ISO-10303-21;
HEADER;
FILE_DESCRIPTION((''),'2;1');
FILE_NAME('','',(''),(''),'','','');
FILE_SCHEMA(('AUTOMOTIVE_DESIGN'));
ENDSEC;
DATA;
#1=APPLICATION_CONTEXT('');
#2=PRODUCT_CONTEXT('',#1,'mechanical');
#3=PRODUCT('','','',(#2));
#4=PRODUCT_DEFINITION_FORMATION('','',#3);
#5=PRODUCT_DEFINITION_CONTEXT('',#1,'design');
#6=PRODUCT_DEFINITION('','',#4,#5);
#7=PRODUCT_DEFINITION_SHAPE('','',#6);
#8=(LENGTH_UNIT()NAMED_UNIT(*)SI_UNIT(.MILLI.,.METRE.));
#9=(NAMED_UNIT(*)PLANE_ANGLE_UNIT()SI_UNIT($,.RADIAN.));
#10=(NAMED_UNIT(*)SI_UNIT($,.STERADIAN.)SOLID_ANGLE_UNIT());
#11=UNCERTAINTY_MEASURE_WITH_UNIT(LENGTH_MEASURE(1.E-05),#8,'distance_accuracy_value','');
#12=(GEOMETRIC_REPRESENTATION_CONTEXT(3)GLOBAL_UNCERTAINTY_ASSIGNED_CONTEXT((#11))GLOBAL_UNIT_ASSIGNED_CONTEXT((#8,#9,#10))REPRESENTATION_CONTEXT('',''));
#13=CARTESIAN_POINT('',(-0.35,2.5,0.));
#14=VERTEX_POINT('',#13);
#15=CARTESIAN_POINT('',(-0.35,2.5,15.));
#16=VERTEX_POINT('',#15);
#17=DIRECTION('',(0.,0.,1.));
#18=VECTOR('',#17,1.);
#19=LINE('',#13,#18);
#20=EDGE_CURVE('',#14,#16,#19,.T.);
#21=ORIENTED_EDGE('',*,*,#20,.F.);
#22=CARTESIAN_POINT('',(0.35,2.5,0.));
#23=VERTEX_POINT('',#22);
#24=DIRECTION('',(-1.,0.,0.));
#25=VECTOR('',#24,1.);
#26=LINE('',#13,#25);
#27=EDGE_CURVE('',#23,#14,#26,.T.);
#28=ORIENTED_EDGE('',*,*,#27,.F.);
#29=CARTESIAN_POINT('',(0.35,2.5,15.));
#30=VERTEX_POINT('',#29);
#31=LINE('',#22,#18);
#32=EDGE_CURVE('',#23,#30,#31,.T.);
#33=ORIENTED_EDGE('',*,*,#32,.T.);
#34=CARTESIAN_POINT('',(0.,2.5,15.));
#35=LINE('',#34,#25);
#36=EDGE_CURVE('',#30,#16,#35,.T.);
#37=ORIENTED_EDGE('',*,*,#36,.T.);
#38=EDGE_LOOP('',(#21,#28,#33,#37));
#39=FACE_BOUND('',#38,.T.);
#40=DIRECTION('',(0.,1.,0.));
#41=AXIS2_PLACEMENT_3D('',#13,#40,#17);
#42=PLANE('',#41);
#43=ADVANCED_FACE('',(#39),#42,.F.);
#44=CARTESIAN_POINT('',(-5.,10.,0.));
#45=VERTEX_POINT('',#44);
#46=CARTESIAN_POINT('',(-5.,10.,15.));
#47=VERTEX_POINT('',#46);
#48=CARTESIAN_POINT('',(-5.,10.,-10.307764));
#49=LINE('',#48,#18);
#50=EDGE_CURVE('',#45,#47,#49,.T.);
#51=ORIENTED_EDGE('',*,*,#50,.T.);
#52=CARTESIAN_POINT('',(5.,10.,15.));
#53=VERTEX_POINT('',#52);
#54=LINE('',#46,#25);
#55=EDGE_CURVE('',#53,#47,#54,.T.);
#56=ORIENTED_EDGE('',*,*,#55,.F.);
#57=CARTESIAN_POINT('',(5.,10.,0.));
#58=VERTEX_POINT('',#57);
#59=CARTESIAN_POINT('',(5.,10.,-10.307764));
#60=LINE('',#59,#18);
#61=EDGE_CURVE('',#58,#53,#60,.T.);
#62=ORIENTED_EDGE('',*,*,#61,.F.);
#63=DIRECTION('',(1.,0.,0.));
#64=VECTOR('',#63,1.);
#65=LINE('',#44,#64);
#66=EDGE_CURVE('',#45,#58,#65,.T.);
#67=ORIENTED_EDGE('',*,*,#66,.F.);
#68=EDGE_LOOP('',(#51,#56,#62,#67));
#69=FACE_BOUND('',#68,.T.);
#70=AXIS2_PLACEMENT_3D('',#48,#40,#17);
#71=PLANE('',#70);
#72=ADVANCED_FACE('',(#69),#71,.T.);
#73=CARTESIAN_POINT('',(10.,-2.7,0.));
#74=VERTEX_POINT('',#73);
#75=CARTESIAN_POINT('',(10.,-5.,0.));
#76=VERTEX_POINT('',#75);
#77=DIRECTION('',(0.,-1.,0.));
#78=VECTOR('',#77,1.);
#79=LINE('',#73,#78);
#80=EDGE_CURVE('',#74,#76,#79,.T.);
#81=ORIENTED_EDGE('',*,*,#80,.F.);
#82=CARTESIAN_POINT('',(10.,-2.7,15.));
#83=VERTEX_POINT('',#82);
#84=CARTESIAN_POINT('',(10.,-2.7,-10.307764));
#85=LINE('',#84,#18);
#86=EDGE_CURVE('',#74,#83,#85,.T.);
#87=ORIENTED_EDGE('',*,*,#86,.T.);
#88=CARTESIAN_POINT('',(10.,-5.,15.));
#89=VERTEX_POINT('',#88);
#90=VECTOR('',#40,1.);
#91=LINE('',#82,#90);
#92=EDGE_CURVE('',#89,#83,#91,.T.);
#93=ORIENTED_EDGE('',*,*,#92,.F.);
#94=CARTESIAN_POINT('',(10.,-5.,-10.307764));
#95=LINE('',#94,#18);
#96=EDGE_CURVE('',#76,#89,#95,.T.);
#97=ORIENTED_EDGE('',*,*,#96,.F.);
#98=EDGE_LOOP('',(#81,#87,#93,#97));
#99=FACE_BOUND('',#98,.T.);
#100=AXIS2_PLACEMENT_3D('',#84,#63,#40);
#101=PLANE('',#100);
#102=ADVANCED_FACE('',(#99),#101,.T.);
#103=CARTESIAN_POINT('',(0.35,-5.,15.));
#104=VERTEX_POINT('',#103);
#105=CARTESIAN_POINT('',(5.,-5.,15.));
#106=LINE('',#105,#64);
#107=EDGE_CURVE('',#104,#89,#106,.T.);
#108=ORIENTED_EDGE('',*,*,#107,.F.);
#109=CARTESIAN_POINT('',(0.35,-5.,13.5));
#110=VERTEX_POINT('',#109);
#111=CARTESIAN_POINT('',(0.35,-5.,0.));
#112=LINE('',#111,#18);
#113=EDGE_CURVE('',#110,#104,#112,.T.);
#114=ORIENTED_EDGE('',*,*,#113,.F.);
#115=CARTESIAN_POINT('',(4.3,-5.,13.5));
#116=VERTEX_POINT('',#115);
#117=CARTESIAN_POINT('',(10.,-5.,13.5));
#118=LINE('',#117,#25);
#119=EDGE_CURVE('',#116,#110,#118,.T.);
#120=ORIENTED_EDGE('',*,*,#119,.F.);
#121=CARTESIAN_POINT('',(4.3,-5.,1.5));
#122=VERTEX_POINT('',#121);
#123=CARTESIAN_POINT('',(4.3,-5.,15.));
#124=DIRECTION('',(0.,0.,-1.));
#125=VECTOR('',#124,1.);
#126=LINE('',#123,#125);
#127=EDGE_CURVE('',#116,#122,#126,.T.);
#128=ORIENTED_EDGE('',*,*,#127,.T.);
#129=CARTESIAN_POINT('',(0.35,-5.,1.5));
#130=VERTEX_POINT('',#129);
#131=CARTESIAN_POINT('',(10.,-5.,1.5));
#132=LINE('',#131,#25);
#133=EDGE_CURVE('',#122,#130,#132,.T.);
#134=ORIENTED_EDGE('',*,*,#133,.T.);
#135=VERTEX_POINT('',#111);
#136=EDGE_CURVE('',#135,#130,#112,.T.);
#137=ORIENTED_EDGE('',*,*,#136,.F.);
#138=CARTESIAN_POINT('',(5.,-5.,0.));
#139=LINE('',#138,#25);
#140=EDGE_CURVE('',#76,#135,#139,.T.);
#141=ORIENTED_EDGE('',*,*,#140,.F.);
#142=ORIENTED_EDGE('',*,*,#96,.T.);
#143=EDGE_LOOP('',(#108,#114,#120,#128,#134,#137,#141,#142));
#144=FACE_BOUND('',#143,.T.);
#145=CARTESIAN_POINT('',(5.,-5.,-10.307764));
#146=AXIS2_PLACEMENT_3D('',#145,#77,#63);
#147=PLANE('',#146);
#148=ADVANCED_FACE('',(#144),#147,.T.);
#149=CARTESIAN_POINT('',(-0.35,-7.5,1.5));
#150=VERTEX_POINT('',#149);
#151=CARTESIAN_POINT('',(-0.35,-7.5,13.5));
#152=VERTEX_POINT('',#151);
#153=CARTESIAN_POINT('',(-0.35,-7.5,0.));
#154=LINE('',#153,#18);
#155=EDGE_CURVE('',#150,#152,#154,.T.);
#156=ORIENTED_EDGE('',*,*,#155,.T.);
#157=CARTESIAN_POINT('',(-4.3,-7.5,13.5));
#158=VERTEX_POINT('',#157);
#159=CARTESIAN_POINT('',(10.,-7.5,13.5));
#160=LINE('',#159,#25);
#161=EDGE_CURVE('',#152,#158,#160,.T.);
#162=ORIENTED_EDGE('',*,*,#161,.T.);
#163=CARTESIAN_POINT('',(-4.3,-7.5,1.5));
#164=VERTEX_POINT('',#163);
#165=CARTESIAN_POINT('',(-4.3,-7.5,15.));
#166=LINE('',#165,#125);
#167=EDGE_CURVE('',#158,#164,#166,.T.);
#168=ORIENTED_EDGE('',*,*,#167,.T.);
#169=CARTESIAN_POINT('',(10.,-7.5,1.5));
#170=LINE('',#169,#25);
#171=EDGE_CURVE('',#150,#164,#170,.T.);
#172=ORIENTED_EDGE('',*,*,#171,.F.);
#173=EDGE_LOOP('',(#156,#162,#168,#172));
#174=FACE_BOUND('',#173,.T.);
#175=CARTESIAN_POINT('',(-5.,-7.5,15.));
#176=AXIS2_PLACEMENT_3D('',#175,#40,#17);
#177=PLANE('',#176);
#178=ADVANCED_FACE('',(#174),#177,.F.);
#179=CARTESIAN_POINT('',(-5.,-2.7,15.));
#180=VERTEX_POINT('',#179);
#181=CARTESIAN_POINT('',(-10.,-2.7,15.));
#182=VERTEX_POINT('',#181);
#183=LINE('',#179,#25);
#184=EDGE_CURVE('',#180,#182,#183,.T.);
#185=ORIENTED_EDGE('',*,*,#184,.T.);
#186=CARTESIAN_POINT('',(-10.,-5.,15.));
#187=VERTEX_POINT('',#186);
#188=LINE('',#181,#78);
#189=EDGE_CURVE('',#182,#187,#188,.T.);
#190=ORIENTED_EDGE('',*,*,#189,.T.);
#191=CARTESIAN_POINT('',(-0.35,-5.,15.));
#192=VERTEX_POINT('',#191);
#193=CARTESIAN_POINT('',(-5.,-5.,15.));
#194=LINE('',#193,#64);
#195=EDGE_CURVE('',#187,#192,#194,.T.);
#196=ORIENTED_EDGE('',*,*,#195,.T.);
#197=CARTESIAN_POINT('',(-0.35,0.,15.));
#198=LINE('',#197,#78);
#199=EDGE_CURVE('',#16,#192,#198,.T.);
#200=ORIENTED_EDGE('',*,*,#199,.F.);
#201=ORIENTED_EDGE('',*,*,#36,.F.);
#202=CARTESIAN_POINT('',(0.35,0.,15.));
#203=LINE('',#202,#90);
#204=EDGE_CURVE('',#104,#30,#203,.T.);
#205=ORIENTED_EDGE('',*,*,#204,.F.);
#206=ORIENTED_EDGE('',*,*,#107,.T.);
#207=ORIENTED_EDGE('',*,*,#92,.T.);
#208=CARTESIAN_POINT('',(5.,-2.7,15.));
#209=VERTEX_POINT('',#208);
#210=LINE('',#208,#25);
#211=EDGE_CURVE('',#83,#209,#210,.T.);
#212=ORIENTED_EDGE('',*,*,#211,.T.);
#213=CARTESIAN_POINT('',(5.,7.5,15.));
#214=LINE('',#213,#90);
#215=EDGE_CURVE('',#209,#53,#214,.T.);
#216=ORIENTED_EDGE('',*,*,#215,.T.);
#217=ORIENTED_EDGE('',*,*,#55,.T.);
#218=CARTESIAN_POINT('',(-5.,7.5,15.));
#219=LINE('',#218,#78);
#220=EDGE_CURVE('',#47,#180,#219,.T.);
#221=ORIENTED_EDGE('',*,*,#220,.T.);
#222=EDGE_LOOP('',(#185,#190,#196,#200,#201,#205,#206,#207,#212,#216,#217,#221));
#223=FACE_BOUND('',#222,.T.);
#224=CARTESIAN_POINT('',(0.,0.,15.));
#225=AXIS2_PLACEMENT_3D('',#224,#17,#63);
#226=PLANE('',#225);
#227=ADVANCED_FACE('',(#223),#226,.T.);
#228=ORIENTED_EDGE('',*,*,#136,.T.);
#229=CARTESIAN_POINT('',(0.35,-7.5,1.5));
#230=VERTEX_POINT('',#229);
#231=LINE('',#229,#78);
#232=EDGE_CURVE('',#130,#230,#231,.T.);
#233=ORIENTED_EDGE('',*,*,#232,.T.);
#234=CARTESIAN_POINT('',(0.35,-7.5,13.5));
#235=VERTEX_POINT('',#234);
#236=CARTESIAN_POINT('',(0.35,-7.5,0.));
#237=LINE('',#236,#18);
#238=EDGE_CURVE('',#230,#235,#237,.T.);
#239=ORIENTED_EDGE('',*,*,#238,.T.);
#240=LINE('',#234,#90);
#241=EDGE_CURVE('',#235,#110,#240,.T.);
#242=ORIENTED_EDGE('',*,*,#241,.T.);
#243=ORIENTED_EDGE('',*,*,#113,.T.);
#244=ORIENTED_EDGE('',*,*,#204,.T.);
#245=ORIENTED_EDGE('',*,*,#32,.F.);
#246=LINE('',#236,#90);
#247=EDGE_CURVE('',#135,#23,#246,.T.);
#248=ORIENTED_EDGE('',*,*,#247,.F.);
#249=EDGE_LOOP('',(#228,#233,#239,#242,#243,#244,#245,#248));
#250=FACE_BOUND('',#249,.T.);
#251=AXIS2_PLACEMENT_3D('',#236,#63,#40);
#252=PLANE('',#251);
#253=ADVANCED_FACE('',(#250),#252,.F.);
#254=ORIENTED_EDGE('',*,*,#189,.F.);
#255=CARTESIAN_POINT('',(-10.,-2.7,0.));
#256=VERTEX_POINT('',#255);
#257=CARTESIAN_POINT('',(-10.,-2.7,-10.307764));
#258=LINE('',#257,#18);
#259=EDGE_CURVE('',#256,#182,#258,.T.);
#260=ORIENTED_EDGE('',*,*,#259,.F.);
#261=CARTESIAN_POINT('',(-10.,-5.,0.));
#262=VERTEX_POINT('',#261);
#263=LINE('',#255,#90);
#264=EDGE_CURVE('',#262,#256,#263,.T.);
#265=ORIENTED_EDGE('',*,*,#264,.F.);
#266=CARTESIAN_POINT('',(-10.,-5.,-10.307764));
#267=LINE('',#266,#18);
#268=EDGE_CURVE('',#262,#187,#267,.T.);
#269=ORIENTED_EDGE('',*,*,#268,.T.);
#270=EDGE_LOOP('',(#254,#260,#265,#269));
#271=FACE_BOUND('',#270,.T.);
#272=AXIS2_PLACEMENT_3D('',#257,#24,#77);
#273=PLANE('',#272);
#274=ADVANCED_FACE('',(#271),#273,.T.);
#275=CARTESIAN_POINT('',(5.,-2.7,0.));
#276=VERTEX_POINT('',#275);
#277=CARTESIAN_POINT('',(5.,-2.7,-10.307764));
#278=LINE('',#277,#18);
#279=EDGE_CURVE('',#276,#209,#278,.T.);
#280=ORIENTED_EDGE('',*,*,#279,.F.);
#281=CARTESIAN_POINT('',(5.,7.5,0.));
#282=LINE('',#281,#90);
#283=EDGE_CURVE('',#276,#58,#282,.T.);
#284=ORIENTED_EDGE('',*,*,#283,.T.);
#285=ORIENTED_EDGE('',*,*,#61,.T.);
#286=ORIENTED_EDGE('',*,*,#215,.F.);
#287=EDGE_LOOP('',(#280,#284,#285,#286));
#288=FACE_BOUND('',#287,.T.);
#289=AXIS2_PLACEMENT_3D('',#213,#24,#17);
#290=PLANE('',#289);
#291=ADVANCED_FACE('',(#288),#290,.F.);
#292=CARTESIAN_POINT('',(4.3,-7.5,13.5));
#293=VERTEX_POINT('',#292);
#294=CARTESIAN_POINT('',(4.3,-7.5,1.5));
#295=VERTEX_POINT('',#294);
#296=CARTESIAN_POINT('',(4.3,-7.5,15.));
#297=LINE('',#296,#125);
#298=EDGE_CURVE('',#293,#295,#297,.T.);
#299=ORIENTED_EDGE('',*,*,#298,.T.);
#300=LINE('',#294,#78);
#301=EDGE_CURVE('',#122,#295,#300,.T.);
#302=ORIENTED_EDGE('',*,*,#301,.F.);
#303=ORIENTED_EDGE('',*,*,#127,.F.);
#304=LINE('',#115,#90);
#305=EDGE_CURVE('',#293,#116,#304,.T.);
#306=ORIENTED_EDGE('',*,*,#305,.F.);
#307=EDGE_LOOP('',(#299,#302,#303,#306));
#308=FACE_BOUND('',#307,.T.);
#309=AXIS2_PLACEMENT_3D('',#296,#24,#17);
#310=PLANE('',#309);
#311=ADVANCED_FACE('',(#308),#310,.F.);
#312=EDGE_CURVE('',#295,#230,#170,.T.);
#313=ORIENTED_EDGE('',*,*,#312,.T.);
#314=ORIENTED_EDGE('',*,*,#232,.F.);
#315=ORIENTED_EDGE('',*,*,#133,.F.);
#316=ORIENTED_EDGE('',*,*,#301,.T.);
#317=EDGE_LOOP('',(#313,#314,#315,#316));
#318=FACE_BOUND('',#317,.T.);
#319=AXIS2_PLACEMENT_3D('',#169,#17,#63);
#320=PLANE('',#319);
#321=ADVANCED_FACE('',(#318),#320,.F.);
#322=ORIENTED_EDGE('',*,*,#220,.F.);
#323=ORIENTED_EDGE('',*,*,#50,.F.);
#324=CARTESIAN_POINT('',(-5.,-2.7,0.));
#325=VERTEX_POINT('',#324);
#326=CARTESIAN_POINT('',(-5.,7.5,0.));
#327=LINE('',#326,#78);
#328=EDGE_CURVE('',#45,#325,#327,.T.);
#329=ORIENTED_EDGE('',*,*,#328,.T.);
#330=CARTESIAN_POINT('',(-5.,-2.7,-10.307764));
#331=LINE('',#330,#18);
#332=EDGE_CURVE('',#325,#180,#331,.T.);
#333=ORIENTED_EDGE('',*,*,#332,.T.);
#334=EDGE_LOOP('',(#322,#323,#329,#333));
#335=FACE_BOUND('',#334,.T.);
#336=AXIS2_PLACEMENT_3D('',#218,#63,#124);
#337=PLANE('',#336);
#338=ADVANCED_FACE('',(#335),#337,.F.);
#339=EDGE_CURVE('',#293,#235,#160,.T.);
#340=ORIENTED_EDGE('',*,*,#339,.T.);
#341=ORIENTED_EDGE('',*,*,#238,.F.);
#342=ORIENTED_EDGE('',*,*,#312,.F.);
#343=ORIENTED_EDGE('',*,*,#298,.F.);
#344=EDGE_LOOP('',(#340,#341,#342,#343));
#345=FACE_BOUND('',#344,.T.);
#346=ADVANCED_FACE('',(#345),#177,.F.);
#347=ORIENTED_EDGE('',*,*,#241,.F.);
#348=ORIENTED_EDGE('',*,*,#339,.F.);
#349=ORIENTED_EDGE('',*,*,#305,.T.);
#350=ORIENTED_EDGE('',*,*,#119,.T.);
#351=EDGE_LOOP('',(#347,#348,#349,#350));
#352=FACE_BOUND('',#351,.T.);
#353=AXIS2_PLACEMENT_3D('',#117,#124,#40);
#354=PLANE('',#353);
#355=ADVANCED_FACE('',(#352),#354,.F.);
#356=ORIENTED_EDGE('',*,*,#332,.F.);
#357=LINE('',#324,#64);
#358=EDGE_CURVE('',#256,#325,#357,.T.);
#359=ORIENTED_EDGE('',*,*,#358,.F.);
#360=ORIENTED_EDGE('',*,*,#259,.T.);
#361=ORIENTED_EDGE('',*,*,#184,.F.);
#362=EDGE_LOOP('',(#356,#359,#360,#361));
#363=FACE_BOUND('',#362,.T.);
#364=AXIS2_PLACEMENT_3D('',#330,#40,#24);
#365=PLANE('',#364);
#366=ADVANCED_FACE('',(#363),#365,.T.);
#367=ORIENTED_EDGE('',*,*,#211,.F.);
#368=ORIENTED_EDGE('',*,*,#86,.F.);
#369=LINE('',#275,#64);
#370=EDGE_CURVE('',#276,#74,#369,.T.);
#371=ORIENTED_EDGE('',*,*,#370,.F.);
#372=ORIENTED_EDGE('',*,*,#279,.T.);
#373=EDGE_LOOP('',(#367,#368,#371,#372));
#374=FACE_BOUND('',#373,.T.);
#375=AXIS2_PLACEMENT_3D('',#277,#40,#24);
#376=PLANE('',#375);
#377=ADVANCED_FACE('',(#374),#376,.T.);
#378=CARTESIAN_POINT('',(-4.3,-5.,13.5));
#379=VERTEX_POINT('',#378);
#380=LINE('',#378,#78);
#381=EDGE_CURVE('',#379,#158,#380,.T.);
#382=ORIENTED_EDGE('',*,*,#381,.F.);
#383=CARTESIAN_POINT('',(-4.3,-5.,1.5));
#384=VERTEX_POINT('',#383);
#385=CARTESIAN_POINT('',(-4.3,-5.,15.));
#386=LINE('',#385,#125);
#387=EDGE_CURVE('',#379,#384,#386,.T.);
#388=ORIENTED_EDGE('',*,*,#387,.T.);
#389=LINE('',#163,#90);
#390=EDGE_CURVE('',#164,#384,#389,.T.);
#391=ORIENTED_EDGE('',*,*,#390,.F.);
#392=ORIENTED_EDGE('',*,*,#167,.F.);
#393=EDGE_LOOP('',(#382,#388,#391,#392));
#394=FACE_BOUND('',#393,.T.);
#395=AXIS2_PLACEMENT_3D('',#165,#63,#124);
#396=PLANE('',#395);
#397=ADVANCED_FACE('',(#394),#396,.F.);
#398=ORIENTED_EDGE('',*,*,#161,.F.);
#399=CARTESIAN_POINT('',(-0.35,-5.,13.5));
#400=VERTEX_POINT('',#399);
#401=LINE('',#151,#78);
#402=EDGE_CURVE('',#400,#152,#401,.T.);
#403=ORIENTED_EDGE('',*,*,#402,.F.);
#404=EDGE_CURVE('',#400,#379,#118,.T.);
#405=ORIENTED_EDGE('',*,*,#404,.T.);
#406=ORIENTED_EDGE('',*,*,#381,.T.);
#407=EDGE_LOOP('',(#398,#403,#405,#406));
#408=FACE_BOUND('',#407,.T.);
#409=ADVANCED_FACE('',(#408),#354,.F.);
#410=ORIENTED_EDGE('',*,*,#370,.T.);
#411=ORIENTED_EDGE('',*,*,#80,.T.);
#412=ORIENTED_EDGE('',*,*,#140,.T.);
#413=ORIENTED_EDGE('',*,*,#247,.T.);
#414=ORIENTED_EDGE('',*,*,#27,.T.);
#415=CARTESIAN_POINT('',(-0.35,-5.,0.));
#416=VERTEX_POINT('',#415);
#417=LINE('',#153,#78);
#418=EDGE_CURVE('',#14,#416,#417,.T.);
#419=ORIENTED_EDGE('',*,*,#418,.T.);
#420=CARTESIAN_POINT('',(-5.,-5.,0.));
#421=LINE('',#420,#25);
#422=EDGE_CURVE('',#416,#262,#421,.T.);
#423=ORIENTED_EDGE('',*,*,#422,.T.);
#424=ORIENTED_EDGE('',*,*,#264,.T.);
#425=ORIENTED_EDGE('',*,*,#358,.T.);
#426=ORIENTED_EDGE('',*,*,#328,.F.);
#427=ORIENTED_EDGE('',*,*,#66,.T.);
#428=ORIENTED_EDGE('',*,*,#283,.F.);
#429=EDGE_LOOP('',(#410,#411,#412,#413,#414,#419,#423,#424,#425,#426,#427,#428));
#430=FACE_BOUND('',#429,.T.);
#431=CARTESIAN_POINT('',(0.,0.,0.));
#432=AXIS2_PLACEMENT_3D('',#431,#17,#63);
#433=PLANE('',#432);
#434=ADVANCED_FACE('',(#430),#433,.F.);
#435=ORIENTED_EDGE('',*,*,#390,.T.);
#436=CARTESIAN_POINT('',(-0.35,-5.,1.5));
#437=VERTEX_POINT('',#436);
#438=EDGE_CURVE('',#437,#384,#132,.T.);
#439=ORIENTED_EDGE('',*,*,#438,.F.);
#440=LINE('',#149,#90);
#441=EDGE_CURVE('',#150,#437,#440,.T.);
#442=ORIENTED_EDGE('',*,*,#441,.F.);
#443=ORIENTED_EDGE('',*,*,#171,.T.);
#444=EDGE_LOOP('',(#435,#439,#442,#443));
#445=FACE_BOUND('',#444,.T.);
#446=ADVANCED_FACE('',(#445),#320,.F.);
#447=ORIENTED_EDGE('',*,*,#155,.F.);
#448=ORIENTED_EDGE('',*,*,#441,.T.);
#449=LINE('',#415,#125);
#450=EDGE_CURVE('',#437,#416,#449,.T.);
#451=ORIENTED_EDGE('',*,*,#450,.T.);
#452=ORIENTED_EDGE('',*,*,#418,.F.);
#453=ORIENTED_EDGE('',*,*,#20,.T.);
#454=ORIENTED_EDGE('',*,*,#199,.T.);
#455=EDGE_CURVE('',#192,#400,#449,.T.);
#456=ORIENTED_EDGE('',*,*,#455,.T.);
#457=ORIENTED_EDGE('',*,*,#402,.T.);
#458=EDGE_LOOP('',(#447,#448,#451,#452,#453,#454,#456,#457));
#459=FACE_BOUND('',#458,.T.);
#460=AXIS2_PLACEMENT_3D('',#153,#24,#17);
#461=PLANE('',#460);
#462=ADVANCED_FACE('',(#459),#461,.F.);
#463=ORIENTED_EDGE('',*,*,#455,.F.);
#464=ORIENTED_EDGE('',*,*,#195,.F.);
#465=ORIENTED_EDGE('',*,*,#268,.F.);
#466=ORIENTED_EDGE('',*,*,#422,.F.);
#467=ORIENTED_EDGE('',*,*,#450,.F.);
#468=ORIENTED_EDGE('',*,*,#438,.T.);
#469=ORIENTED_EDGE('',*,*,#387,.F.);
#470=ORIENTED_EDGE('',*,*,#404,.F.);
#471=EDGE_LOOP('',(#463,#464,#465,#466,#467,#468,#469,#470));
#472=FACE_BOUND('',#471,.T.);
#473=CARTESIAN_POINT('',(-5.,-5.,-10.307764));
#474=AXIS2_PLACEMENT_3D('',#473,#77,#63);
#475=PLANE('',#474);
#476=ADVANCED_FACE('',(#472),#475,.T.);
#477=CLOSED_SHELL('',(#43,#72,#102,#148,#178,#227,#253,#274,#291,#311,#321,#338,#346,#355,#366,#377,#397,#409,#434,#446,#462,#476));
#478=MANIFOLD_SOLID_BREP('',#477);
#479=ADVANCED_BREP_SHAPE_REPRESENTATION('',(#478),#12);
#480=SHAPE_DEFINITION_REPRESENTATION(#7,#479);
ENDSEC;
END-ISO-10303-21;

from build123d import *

# Parameters (mm, degrees)
SKETCH1_W               = 10
SKETCH1_H               = 15
BOSS_EXTRUDE1_DEPTH     = 15
CUT_EXTRUDE1_DEPTH      = 18.5
CUT_EXTRUDE1_DEPTH_BACK = 18.5
SKETCH2_W               = 0.7
SKETCH2_H               = 10
SKETCH3_W               = 5
SKETCH3_H               = 2.3
SKETCH3_W_2             = 10
SKETCH3_H_2             = 2.5
BOSS_EXTRUDE2_DEPTH     = 15
CUT_EXTRUDE2_DEPTH      = 24.452078799
CUT_EXTRUDE2_DEPTH_BACK = 24.452078799
SKETCH4_W               = 1.5
SKETCH4_H               = 2.5
CUT_EXTRUDE3_DEPTH      = 21.615528128
CUT_EXTRUDE3_DEPTH_BACK = 21.615528128
SKETCH5_W               = 0.7
SKETCH5_H               = 2.5


with BuildPart() as part:
    # Sketch1 → Boss-Extrude1 (new body)
    with BuildSketch(Plane.XY):
        Rectangle(SKETCH1_W, SKETCH1_H)
    extrude(amount=BOSS_EXTRUDE1_DEPTH)

    # Sketch2 → Cut-Extrude1 (cut, two sides: drawn at the far end of the back side and taken through both)
    with BuildSketch(Plane.XY.offset(15).offset(-CUT_EXTRUDE1_DEPTH_BACK)):
        with Locations((0, -2.5)):
            Rectangle(SKETCH2_W, SKETCH2_H)
    extrude(amount=CUT_EXTRUDE1_DEPTH + CUT_EXTRUDE1_DEPTH_BACK, mode=Mode.SUBTRACT)

    # Sketch3 → Boss-Extrude2 (add)
    with BuildSketch(Plane.XY.offset(15)):
        with Locations((-7.5, -3.85)):
            Rectangle(SKETCH3_W, SKETCH3_H)
        with Locations((7.5, -3.85)):
            Rectangle(SKETCH3_W, SKETCH3_H)
        with Locations((0, 8.75)):
            Rectangle(SKETCH3_W_2, SKETCH3_H_2)
    extrude(amount=-BOSS_EXTRUDE2_DEPTH)

    # Sketch4 → Cut-Extrude2 (cut, two sides: drawn at the far end of the back side and taken through both)
    with BuildSketch(Plane.ZY.offset(5).offset(-CUT_EXTRUDE2_DEPTH_BACK)):
        with Locations((0.75, -6.25)):
            Rectangle(SKETCH4_W, SKETCH4_H)
        with Locations((14.25, -6.25)):
            Rectangle(SKETCH4_W, SKETCH4_H)
    extrude(amount=CUT_EXTRUDE2_DEPTH + CUT_EXTRUDE2_DEPTH_BACK, mode=Mode.SUBTRACT)

    # Sketch5 → Cut-Extrude3 (cut, two sides: drawn at the far end of the back side and taken through both)
    with BuildSketch(Plane(origin=(0, 0, 0), x_dir=(-1, 0, 0), z_dir=(0, 0, -1)).offset(-CUT_EXTRUDE3_DEPTH_BACK)):
        with Locations((4.65, -6.25)):
            Rectangle(SKETCH5_W, SKETCH5_H)
        with Locations((-4.65, -6.25)):
            Rectangle(SKETCH5_W, SKETCH5_H)
    extrude(amount=CUT_EXTRUDE3_DEPTH + CUT_EXTRUDE3_DEPTH_BACK, mode=Mode.SUBTRACT)


solid = part.part
